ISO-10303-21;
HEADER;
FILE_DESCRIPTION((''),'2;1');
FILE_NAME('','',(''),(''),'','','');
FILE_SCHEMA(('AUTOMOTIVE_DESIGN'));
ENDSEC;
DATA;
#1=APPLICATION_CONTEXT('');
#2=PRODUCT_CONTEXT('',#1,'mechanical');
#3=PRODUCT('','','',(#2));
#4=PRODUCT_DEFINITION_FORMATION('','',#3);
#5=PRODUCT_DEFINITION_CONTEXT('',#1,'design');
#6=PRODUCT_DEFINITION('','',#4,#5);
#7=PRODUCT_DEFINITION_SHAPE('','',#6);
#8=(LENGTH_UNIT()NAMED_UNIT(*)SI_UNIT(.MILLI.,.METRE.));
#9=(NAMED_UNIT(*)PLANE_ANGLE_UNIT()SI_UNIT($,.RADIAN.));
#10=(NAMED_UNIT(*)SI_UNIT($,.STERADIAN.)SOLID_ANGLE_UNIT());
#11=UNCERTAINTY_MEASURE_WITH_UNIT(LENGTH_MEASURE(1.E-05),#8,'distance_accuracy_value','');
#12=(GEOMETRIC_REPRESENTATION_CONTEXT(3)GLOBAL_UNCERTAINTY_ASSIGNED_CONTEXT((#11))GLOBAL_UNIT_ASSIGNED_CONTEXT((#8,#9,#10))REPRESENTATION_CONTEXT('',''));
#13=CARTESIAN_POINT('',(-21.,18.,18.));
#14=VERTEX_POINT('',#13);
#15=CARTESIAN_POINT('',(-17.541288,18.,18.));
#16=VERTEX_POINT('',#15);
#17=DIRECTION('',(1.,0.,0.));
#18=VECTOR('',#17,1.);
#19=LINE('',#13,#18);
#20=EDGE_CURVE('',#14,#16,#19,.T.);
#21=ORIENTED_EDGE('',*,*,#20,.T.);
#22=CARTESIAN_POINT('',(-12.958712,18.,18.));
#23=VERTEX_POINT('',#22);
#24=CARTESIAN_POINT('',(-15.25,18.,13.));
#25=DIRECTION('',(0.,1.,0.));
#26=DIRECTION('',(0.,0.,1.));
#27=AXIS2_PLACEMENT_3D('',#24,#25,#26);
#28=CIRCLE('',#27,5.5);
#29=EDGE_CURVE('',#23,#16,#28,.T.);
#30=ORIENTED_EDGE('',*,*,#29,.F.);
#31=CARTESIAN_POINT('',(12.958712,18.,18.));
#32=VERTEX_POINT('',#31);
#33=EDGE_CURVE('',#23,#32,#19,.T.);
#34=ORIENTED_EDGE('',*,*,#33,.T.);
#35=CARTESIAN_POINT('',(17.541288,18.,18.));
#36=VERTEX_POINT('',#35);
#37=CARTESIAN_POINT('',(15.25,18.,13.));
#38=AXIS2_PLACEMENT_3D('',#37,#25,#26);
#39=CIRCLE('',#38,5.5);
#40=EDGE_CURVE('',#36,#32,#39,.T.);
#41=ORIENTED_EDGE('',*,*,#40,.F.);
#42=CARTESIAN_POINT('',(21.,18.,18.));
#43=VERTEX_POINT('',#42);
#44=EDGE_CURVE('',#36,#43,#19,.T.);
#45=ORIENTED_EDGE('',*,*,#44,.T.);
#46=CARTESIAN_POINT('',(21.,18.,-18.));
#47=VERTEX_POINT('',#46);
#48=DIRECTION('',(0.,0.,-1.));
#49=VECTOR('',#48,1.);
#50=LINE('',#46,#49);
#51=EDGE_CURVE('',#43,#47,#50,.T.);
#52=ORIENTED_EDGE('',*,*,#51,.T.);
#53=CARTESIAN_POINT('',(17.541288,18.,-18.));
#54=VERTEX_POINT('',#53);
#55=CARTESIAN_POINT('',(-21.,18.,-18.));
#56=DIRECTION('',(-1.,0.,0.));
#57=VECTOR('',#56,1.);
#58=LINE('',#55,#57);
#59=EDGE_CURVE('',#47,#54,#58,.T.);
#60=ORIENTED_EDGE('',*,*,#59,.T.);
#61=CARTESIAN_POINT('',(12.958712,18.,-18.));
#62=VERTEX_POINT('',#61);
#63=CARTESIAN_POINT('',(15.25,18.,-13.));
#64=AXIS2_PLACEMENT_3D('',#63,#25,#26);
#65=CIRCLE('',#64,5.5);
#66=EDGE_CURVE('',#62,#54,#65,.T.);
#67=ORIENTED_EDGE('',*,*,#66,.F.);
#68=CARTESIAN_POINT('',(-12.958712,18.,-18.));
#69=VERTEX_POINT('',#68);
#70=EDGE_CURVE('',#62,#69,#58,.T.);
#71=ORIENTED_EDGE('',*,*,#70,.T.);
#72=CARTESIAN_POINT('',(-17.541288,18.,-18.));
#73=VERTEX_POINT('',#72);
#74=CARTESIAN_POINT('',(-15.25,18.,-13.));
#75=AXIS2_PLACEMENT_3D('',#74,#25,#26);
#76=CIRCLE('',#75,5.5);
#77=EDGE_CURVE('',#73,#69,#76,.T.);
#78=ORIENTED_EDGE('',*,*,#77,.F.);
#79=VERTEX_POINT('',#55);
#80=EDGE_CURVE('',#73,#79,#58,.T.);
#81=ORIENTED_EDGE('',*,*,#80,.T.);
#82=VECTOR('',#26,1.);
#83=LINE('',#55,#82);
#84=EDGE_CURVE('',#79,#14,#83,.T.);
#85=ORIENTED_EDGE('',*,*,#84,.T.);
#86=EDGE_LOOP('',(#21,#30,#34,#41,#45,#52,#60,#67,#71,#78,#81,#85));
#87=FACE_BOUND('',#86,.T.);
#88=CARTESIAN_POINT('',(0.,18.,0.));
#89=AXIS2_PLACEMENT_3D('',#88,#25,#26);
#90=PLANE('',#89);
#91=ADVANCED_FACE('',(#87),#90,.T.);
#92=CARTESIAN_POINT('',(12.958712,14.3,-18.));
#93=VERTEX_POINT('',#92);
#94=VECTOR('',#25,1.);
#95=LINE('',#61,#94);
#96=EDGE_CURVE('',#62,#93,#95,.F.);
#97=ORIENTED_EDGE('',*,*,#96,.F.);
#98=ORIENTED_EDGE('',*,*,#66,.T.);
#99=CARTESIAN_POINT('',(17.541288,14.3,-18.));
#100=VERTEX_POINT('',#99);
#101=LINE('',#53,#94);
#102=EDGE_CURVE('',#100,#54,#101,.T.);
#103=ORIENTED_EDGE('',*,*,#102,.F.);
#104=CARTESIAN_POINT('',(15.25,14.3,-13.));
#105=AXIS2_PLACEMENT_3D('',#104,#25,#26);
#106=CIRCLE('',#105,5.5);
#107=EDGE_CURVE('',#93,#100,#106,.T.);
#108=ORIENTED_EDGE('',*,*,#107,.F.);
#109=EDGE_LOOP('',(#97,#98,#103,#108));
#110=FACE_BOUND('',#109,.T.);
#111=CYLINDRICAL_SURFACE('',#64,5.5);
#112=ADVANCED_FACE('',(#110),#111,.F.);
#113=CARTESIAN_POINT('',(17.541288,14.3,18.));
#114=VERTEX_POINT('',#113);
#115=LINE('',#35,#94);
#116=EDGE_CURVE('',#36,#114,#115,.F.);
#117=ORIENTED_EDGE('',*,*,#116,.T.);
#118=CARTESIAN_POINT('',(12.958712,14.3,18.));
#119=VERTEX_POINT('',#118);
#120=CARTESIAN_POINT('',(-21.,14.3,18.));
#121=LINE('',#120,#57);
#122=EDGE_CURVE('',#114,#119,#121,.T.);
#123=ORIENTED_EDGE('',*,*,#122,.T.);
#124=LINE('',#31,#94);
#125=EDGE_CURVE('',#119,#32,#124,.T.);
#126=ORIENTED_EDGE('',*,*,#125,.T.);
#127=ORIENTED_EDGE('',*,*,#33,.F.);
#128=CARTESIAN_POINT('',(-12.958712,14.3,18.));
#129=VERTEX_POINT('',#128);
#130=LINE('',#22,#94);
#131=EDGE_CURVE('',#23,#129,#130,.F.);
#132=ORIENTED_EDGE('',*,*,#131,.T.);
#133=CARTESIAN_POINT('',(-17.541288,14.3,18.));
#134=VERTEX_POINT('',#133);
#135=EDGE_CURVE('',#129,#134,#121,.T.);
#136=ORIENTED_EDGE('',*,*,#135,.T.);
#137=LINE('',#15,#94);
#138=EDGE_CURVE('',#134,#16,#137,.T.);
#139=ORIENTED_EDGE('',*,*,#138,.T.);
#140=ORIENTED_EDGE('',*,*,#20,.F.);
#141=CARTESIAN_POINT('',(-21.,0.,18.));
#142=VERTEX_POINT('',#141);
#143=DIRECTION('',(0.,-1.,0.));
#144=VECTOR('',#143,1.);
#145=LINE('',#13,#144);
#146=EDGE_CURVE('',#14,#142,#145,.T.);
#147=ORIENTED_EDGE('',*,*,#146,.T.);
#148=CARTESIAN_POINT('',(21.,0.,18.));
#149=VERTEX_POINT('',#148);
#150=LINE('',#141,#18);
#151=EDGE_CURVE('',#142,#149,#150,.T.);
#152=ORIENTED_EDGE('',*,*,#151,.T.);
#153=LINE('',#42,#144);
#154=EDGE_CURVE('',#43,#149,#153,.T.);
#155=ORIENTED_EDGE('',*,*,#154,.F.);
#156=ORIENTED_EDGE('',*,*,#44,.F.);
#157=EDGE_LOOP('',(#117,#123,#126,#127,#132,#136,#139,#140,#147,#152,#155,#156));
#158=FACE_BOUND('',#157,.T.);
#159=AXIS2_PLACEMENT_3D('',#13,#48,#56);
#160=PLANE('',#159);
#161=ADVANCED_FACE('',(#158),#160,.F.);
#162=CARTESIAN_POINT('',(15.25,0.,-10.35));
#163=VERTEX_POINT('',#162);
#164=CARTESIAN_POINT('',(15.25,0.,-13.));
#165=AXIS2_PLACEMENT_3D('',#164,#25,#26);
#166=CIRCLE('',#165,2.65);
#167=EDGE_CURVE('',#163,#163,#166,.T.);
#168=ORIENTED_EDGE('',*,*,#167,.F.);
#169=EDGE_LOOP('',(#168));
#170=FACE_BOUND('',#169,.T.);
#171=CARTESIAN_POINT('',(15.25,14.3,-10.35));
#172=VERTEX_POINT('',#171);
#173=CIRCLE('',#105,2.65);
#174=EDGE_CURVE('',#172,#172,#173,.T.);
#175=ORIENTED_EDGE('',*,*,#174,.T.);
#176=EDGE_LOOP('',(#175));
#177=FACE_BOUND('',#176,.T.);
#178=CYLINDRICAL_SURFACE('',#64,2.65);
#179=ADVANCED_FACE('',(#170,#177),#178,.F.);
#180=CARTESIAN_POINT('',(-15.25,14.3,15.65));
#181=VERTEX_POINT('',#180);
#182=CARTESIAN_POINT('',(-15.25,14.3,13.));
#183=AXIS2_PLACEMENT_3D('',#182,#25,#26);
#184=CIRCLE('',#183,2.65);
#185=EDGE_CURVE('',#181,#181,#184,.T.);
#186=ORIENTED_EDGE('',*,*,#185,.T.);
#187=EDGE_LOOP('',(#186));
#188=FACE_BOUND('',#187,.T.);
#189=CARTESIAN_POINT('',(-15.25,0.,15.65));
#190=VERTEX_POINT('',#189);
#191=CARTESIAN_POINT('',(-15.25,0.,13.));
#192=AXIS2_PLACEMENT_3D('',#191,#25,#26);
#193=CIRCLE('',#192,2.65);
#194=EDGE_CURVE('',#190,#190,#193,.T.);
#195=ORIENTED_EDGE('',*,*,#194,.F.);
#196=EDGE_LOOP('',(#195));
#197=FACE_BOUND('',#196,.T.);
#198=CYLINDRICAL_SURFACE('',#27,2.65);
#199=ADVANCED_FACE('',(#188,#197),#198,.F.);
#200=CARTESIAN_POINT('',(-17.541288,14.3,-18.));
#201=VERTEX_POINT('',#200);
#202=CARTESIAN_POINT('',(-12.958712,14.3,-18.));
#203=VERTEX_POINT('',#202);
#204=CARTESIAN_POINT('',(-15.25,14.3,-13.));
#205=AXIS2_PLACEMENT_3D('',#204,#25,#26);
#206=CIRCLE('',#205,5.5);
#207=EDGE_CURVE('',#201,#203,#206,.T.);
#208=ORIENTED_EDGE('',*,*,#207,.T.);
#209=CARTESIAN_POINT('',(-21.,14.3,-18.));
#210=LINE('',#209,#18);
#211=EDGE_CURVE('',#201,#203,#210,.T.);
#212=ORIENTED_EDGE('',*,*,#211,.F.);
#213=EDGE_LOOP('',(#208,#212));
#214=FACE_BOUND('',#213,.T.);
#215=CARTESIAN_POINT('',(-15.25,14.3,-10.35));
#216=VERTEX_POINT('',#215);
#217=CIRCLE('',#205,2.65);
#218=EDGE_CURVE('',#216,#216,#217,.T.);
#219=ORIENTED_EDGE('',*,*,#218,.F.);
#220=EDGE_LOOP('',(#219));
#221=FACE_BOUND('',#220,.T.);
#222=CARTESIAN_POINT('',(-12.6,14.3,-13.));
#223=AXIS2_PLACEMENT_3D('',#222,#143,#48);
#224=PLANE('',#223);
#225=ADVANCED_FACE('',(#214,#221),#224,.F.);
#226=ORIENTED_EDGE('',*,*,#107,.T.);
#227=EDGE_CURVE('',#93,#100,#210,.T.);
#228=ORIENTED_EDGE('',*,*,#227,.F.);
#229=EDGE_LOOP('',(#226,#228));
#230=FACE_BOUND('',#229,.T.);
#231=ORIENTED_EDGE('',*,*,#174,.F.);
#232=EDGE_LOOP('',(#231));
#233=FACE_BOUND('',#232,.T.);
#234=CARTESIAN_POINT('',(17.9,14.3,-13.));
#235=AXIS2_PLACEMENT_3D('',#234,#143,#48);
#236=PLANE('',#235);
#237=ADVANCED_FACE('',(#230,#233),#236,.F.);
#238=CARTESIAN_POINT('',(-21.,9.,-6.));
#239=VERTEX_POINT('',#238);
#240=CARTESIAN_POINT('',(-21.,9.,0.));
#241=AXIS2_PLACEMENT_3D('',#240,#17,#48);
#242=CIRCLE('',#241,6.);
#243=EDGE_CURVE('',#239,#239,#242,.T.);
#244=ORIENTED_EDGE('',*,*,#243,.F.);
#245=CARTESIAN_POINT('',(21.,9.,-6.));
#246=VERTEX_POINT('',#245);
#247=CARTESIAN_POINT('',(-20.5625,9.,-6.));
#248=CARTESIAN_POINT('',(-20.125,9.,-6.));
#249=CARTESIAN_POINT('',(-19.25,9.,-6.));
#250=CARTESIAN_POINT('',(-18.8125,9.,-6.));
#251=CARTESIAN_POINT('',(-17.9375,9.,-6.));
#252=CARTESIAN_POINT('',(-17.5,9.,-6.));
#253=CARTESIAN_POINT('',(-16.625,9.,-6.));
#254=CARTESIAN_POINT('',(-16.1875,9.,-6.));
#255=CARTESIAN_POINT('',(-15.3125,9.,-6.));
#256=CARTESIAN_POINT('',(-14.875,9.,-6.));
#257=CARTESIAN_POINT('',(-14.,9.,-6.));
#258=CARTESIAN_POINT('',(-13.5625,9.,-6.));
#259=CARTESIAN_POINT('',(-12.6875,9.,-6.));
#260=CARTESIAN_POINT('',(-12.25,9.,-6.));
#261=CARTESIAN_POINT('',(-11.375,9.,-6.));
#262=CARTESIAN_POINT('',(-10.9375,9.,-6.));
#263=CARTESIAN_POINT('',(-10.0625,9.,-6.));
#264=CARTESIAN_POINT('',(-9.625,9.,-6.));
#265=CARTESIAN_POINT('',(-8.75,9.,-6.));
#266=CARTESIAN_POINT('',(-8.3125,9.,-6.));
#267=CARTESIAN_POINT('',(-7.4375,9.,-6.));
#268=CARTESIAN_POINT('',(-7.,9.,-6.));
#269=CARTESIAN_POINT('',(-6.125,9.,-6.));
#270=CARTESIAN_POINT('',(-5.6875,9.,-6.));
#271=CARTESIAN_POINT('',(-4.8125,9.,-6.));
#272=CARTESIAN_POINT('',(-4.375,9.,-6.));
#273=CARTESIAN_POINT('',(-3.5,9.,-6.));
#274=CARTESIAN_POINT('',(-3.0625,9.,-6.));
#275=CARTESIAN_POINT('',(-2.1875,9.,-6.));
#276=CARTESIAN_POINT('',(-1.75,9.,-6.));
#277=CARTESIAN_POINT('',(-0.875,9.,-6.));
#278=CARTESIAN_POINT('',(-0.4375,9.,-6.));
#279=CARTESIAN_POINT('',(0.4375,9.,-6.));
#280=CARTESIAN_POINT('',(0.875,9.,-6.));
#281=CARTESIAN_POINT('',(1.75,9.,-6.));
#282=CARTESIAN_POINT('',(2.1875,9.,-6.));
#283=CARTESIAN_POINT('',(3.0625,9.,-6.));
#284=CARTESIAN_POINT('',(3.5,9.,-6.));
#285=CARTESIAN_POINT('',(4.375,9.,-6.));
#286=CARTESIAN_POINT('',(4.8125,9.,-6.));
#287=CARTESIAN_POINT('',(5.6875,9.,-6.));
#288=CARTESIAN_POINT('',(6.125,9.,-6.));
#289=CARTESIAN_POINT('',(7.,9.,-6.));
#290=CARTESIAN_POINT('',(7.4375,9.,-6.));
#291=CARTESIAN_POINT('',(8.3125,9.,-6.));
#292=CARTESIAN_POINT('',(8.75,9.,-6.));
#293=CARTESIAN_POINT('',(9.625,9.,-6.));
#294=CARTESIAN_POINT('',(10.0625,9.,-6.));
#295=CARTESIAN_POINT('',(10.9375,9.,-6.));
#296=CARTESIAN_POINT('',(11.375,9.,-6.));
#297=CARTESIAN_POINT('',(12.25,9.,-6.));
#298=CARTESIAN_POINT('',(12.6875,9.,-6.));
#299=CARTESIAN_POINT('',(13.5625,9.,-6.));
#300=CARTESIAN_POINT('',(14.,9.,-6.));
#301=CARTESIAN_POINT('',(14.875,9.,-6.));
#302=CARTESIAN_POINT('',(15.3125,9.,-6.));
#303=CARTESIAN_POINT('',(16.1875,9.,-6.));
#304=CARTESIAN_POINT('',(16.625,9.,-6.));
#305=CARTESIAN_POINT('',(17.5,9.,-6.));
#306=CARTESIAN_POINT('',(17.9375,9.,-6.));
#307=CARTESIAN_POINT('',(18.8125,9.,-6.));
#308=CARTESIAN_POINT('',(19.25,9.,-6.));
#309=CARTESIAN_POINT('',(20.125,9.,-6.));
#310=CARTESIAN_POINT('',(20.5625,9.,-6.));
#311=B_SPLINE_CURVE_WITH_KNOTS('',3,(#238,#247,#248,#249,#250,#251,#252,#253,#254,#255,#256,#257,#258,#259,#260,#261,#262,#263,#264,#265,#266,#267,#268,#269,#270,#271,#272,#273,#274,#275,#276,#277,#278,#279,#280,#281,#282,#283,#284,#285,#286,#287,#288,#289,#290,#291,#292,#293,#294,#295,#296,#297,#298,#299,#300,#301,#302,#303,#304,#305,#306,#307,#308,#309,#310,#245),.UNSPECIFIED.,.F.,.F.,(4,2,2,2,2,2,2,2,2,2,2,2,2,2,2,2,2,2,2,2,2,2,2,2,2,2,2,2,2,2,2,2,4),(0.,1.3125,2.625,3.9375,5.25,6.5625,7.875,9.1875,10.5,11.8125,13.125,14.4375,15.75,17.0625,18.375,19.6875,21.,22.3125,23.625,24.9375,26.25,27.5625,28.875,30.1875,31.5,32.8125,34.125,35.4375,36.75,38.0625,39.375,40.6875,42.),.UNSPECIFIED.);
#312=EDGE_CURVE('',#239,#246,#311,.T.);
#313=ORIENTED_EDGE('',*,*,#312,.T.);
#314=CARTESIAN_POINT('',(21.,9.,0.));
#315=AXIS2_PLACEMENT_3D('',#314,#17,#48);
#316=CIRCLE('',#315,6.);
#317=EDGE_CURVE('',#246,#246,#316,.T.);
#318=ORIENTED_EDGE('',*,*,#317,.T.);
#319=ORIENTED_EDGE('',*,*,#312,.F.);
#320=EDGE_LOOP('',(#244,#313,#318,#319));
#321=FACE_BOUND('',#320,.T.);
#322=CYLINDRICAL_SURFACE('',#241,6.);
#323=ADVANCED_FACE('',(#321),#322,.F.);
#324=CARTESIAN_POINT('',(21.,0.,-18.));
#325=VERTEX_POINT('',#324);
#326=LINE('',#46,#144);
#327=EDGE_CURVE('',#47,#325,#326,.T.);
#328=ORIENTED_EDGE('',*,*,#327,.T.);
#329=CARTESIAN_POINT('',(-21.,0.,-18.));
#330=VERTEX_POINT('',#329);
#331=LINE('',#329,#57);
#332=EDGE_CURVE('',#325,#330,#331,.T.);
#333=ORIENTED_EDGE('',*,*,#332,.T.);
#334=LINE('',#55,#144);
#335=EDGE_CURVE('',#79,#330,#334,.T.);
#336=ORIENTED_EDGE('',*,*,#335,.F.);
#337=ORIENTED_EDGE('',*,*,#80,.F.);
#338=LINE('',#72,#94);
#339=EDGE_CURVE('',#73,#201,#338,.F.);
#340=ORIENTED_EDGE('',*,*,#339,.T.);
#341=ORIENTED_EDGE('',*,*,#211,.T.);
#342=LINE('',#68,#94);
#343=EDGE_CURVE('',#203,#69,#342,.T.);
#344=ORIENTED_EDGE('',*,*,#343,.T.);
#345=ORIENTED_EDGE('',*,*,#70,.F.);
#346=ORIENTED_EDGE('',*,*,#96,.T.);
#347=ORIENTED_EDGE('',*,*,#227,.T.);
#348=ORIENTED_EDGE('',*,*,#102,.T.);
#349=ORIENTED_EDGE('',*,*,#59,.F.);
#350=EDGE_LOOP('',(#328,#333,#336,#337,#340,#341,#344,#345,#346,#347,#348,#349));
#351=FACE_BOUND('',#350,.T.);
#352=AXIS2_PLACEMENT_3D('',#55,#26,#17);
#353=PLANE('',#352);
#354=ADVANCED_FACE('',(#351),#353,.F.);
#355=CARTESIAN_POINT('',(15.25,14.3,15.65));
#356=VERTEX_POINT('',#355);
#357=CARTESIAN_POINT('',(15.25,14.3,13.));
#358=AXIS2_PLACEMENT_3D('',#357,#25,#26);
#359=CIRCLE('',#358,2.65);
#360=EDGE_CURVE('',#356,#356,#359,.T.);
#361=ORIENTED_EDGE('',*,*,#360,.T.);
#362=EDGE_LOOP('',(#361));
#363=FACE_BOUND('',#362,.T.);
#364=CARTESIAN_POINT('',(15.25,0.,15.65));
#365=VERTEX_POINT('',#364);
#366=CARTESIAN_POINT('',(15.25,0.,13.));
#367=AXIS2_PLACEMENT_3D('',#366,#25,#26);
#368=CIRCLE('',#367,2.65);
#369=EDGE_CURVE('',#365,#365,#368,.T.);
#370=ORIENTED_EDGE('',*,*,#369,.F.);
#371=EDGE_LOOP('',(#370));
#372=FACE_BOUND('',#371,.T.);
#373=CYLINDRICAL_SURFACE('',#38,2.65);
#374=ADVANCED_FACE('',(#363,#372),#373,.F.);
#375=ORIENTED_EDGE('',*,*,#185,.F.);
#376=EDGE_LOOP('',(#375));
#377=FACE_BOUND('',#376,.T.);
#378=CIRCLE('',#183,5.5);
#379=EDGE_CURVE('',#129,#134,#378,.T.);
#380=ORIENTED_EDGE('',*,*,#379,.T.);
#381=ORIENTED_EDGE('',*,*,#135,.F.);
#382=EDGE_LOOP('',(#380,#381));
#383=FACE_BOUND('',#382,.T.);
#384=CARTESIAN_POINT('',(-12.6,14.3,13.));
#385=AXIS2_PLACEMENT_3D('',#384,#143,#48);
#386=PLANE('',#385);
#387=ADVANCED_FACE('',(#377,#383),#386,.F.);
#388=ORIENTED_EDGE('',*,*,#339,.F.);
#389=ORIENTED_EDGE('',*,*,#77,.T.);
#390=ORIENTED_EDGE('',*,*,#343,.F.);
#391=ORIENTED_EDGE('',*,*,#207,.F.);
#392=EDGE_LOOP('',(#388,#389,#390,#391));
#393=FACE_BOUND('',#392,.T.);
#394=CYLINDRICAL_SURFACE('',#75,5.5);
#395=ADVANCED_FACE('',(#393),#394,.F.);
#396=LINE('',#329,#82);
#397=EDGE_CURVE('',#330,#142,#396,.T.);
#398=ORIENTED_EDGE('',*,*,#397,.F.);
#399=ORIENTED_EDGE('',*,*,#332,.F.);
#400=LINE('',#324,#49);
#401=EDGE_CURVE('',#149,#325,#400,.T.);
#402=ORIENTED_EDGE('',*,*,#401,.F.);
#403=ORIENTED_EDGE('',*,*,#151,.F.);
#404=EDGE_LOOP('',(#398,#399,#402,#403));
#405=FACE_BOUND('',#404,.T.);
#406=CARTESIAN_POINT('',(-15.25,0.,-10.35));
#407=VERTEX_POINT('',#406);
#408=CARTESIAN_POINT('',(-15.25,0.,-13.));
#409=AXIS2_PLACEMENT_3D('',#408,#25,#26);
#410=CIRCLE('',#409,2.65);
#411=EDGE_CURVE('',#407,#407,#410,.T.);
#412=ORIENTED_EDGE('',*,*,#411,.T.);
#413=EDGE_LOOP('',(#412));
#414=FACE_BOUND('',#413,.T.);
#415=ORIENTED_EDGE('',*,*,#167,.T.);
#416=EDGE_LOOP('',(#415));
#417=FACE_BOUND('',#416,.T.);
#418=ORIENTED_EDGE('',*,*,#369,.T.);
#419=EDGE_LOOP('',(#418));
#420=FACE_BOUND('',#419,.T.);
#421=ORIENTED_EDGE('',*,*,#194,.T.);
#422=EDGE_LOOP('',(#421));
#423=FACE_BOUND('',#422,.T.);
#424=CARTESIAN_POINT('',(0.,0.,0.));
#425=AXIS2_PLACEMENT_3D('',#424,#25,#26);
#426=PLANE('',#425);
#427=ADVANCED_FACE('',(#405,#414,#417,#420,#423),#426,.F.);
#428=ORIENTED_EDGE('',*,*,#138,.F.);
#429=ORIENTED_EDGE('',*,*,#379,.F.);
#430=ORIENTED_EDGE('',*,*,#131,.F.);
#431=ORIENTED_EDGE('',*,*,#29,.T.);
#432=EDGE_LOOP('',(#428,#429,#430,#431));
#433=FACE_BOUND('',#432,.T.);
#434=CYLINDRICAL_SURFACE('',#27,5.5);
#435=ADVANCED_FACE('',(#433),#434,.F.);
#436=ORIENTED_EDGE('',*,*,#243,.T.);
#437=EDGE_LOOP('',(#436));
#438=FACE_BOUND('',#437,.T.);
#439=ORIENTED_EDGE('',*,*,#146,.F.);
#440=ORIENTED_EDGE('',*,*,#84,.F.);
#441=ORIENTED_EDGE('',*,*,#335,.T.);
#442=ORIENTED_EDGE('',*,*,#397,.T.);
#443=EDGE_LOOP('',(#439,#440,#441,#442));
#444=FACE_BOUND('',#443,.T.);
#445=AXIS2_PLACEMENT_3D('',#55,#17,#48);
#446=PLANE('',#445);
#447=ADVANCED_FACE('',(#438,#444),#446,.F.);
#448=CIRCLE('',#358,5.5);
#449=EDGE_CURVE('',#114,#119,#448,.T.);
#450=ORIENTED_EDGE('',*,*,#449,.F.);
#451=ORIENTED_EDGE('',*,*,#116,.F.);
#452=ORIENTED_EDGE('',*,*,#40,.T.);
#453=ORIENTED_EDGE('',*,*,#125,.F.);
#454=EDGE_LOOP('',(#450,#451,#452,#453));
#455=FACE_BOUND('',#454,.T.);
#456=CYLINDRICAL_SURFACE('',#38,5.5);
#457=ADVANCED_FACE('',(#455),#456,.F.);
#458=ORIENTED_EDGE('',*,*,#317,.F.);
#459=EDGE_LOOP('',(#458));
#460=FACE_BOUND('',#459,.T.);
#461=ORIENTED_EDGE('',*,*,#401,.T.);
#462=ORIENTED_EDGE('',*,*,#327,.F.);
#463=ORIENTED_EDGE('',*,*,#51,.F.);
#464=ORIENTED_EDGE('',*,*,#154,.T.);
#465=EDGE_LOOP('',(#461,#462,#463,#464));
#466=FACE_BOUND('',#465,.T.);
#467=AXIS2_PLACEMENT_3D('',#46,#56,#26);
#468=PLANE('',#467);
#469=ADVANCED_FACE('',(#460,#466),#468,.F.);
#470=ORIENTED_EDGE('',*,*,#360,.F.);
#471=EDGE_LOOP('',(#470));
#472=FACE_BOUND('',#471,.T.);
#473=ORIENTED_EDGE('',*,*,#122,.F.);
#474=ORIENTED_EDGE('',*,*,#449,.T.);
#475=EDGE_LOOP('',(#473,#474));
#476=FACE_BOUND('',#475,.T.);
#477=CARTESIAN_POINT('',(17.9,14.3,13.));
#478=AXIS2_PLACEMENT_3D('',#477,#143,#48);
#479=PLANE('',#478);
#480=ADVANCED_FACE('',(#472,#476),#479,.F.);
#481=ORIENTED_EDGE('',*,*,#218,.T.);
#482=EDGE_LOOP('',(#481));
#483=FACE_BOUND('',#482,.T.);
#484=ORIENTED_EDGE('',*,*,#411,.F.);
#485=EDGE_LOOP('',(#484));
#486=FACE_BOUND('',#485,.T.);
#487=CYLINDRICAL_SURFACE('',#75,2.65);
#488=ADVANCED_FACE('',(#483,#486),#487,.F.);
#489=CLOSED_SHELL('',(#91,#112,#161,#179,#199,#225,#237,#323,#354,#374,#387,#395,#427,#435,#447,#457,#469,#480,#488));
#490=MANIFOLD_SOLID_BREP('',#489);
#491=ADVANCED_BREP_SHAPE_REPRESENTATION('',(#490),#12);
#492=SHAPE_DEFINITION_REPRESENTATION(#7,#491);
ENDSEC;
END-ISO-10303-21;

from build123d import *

# Parameters (mm, degrees)
SKETCH1_W                                        = 42
SKETCH1_H                                        = 36
BOSS_EXTRUDE1_DEPTH                              = 18
CBORE_FOR_M5_PAN_HEAD_MACHINE_SCREW3_D           = 5.3
CBORE_FOR_M5_PAN_HEAD_MACHINE_SCREW3_CBORE_D     = 11
CBORE_FOR_M5_PAN_HEAD_MACHINE_SCREW3_CBORE_DEPTH = 3.7
SKETCH7_R                                        = 6
CUT_EXTRUDE1_DEPTH                               = 50.112116631


with BuildPart() as part:
    # Sketch1 → Boss-Extrude1 (new body)
    with BuildSketch(Plane(origin=(0, 0, 0), x_dir=(1, 0, 0), z_dir=(0, 1, 0))):
        Rectangle(SKETCH1_W, SKETCH1_H)
    extrude(amount=BOSS_EXTRUDE1_DEPTH)

    # CBORE for M5 Pan Head Machine Screw3 (through all)
    with Locations(Plane(origin=(-6.549083899, 18, -3.689624732), x_dir=(-1, 0, 0), z_dir=(0, 1, 0))):
        with Locations((8.700916101, 16.689624732), (-21.799083899, 16.689624732), (-21.799083899, -9.310375268), (8.700916101, -9.310375268)):
            CounterBoreHole(CBORE_FOR_M5_PAN_HEAD_MACHINE_SCREW3_D / 2, CBORE_FOR_M5_PAN_HEAD_MACHINE_SCREW3_CBORE_D / 2, CBORE_FOR_M5_PAN_HEAD_MACHINE_SCREW3_CBORE_DEPTH)

    # Sketch7 → Cut-Extrude1 (cut, through all)
    with BuildSketch(Plane(origin=(21, 0, 0), x_dir=(0, 0, -1), z_dir=(1, 0, 0))):
        with Locations((0, 9)):
            Circle(SKETCH7_R)
    extrude(amount=-CUT_EXTRUDE1_DEPTH, mode=Mode.SUBTRACT)


solid = part.part
